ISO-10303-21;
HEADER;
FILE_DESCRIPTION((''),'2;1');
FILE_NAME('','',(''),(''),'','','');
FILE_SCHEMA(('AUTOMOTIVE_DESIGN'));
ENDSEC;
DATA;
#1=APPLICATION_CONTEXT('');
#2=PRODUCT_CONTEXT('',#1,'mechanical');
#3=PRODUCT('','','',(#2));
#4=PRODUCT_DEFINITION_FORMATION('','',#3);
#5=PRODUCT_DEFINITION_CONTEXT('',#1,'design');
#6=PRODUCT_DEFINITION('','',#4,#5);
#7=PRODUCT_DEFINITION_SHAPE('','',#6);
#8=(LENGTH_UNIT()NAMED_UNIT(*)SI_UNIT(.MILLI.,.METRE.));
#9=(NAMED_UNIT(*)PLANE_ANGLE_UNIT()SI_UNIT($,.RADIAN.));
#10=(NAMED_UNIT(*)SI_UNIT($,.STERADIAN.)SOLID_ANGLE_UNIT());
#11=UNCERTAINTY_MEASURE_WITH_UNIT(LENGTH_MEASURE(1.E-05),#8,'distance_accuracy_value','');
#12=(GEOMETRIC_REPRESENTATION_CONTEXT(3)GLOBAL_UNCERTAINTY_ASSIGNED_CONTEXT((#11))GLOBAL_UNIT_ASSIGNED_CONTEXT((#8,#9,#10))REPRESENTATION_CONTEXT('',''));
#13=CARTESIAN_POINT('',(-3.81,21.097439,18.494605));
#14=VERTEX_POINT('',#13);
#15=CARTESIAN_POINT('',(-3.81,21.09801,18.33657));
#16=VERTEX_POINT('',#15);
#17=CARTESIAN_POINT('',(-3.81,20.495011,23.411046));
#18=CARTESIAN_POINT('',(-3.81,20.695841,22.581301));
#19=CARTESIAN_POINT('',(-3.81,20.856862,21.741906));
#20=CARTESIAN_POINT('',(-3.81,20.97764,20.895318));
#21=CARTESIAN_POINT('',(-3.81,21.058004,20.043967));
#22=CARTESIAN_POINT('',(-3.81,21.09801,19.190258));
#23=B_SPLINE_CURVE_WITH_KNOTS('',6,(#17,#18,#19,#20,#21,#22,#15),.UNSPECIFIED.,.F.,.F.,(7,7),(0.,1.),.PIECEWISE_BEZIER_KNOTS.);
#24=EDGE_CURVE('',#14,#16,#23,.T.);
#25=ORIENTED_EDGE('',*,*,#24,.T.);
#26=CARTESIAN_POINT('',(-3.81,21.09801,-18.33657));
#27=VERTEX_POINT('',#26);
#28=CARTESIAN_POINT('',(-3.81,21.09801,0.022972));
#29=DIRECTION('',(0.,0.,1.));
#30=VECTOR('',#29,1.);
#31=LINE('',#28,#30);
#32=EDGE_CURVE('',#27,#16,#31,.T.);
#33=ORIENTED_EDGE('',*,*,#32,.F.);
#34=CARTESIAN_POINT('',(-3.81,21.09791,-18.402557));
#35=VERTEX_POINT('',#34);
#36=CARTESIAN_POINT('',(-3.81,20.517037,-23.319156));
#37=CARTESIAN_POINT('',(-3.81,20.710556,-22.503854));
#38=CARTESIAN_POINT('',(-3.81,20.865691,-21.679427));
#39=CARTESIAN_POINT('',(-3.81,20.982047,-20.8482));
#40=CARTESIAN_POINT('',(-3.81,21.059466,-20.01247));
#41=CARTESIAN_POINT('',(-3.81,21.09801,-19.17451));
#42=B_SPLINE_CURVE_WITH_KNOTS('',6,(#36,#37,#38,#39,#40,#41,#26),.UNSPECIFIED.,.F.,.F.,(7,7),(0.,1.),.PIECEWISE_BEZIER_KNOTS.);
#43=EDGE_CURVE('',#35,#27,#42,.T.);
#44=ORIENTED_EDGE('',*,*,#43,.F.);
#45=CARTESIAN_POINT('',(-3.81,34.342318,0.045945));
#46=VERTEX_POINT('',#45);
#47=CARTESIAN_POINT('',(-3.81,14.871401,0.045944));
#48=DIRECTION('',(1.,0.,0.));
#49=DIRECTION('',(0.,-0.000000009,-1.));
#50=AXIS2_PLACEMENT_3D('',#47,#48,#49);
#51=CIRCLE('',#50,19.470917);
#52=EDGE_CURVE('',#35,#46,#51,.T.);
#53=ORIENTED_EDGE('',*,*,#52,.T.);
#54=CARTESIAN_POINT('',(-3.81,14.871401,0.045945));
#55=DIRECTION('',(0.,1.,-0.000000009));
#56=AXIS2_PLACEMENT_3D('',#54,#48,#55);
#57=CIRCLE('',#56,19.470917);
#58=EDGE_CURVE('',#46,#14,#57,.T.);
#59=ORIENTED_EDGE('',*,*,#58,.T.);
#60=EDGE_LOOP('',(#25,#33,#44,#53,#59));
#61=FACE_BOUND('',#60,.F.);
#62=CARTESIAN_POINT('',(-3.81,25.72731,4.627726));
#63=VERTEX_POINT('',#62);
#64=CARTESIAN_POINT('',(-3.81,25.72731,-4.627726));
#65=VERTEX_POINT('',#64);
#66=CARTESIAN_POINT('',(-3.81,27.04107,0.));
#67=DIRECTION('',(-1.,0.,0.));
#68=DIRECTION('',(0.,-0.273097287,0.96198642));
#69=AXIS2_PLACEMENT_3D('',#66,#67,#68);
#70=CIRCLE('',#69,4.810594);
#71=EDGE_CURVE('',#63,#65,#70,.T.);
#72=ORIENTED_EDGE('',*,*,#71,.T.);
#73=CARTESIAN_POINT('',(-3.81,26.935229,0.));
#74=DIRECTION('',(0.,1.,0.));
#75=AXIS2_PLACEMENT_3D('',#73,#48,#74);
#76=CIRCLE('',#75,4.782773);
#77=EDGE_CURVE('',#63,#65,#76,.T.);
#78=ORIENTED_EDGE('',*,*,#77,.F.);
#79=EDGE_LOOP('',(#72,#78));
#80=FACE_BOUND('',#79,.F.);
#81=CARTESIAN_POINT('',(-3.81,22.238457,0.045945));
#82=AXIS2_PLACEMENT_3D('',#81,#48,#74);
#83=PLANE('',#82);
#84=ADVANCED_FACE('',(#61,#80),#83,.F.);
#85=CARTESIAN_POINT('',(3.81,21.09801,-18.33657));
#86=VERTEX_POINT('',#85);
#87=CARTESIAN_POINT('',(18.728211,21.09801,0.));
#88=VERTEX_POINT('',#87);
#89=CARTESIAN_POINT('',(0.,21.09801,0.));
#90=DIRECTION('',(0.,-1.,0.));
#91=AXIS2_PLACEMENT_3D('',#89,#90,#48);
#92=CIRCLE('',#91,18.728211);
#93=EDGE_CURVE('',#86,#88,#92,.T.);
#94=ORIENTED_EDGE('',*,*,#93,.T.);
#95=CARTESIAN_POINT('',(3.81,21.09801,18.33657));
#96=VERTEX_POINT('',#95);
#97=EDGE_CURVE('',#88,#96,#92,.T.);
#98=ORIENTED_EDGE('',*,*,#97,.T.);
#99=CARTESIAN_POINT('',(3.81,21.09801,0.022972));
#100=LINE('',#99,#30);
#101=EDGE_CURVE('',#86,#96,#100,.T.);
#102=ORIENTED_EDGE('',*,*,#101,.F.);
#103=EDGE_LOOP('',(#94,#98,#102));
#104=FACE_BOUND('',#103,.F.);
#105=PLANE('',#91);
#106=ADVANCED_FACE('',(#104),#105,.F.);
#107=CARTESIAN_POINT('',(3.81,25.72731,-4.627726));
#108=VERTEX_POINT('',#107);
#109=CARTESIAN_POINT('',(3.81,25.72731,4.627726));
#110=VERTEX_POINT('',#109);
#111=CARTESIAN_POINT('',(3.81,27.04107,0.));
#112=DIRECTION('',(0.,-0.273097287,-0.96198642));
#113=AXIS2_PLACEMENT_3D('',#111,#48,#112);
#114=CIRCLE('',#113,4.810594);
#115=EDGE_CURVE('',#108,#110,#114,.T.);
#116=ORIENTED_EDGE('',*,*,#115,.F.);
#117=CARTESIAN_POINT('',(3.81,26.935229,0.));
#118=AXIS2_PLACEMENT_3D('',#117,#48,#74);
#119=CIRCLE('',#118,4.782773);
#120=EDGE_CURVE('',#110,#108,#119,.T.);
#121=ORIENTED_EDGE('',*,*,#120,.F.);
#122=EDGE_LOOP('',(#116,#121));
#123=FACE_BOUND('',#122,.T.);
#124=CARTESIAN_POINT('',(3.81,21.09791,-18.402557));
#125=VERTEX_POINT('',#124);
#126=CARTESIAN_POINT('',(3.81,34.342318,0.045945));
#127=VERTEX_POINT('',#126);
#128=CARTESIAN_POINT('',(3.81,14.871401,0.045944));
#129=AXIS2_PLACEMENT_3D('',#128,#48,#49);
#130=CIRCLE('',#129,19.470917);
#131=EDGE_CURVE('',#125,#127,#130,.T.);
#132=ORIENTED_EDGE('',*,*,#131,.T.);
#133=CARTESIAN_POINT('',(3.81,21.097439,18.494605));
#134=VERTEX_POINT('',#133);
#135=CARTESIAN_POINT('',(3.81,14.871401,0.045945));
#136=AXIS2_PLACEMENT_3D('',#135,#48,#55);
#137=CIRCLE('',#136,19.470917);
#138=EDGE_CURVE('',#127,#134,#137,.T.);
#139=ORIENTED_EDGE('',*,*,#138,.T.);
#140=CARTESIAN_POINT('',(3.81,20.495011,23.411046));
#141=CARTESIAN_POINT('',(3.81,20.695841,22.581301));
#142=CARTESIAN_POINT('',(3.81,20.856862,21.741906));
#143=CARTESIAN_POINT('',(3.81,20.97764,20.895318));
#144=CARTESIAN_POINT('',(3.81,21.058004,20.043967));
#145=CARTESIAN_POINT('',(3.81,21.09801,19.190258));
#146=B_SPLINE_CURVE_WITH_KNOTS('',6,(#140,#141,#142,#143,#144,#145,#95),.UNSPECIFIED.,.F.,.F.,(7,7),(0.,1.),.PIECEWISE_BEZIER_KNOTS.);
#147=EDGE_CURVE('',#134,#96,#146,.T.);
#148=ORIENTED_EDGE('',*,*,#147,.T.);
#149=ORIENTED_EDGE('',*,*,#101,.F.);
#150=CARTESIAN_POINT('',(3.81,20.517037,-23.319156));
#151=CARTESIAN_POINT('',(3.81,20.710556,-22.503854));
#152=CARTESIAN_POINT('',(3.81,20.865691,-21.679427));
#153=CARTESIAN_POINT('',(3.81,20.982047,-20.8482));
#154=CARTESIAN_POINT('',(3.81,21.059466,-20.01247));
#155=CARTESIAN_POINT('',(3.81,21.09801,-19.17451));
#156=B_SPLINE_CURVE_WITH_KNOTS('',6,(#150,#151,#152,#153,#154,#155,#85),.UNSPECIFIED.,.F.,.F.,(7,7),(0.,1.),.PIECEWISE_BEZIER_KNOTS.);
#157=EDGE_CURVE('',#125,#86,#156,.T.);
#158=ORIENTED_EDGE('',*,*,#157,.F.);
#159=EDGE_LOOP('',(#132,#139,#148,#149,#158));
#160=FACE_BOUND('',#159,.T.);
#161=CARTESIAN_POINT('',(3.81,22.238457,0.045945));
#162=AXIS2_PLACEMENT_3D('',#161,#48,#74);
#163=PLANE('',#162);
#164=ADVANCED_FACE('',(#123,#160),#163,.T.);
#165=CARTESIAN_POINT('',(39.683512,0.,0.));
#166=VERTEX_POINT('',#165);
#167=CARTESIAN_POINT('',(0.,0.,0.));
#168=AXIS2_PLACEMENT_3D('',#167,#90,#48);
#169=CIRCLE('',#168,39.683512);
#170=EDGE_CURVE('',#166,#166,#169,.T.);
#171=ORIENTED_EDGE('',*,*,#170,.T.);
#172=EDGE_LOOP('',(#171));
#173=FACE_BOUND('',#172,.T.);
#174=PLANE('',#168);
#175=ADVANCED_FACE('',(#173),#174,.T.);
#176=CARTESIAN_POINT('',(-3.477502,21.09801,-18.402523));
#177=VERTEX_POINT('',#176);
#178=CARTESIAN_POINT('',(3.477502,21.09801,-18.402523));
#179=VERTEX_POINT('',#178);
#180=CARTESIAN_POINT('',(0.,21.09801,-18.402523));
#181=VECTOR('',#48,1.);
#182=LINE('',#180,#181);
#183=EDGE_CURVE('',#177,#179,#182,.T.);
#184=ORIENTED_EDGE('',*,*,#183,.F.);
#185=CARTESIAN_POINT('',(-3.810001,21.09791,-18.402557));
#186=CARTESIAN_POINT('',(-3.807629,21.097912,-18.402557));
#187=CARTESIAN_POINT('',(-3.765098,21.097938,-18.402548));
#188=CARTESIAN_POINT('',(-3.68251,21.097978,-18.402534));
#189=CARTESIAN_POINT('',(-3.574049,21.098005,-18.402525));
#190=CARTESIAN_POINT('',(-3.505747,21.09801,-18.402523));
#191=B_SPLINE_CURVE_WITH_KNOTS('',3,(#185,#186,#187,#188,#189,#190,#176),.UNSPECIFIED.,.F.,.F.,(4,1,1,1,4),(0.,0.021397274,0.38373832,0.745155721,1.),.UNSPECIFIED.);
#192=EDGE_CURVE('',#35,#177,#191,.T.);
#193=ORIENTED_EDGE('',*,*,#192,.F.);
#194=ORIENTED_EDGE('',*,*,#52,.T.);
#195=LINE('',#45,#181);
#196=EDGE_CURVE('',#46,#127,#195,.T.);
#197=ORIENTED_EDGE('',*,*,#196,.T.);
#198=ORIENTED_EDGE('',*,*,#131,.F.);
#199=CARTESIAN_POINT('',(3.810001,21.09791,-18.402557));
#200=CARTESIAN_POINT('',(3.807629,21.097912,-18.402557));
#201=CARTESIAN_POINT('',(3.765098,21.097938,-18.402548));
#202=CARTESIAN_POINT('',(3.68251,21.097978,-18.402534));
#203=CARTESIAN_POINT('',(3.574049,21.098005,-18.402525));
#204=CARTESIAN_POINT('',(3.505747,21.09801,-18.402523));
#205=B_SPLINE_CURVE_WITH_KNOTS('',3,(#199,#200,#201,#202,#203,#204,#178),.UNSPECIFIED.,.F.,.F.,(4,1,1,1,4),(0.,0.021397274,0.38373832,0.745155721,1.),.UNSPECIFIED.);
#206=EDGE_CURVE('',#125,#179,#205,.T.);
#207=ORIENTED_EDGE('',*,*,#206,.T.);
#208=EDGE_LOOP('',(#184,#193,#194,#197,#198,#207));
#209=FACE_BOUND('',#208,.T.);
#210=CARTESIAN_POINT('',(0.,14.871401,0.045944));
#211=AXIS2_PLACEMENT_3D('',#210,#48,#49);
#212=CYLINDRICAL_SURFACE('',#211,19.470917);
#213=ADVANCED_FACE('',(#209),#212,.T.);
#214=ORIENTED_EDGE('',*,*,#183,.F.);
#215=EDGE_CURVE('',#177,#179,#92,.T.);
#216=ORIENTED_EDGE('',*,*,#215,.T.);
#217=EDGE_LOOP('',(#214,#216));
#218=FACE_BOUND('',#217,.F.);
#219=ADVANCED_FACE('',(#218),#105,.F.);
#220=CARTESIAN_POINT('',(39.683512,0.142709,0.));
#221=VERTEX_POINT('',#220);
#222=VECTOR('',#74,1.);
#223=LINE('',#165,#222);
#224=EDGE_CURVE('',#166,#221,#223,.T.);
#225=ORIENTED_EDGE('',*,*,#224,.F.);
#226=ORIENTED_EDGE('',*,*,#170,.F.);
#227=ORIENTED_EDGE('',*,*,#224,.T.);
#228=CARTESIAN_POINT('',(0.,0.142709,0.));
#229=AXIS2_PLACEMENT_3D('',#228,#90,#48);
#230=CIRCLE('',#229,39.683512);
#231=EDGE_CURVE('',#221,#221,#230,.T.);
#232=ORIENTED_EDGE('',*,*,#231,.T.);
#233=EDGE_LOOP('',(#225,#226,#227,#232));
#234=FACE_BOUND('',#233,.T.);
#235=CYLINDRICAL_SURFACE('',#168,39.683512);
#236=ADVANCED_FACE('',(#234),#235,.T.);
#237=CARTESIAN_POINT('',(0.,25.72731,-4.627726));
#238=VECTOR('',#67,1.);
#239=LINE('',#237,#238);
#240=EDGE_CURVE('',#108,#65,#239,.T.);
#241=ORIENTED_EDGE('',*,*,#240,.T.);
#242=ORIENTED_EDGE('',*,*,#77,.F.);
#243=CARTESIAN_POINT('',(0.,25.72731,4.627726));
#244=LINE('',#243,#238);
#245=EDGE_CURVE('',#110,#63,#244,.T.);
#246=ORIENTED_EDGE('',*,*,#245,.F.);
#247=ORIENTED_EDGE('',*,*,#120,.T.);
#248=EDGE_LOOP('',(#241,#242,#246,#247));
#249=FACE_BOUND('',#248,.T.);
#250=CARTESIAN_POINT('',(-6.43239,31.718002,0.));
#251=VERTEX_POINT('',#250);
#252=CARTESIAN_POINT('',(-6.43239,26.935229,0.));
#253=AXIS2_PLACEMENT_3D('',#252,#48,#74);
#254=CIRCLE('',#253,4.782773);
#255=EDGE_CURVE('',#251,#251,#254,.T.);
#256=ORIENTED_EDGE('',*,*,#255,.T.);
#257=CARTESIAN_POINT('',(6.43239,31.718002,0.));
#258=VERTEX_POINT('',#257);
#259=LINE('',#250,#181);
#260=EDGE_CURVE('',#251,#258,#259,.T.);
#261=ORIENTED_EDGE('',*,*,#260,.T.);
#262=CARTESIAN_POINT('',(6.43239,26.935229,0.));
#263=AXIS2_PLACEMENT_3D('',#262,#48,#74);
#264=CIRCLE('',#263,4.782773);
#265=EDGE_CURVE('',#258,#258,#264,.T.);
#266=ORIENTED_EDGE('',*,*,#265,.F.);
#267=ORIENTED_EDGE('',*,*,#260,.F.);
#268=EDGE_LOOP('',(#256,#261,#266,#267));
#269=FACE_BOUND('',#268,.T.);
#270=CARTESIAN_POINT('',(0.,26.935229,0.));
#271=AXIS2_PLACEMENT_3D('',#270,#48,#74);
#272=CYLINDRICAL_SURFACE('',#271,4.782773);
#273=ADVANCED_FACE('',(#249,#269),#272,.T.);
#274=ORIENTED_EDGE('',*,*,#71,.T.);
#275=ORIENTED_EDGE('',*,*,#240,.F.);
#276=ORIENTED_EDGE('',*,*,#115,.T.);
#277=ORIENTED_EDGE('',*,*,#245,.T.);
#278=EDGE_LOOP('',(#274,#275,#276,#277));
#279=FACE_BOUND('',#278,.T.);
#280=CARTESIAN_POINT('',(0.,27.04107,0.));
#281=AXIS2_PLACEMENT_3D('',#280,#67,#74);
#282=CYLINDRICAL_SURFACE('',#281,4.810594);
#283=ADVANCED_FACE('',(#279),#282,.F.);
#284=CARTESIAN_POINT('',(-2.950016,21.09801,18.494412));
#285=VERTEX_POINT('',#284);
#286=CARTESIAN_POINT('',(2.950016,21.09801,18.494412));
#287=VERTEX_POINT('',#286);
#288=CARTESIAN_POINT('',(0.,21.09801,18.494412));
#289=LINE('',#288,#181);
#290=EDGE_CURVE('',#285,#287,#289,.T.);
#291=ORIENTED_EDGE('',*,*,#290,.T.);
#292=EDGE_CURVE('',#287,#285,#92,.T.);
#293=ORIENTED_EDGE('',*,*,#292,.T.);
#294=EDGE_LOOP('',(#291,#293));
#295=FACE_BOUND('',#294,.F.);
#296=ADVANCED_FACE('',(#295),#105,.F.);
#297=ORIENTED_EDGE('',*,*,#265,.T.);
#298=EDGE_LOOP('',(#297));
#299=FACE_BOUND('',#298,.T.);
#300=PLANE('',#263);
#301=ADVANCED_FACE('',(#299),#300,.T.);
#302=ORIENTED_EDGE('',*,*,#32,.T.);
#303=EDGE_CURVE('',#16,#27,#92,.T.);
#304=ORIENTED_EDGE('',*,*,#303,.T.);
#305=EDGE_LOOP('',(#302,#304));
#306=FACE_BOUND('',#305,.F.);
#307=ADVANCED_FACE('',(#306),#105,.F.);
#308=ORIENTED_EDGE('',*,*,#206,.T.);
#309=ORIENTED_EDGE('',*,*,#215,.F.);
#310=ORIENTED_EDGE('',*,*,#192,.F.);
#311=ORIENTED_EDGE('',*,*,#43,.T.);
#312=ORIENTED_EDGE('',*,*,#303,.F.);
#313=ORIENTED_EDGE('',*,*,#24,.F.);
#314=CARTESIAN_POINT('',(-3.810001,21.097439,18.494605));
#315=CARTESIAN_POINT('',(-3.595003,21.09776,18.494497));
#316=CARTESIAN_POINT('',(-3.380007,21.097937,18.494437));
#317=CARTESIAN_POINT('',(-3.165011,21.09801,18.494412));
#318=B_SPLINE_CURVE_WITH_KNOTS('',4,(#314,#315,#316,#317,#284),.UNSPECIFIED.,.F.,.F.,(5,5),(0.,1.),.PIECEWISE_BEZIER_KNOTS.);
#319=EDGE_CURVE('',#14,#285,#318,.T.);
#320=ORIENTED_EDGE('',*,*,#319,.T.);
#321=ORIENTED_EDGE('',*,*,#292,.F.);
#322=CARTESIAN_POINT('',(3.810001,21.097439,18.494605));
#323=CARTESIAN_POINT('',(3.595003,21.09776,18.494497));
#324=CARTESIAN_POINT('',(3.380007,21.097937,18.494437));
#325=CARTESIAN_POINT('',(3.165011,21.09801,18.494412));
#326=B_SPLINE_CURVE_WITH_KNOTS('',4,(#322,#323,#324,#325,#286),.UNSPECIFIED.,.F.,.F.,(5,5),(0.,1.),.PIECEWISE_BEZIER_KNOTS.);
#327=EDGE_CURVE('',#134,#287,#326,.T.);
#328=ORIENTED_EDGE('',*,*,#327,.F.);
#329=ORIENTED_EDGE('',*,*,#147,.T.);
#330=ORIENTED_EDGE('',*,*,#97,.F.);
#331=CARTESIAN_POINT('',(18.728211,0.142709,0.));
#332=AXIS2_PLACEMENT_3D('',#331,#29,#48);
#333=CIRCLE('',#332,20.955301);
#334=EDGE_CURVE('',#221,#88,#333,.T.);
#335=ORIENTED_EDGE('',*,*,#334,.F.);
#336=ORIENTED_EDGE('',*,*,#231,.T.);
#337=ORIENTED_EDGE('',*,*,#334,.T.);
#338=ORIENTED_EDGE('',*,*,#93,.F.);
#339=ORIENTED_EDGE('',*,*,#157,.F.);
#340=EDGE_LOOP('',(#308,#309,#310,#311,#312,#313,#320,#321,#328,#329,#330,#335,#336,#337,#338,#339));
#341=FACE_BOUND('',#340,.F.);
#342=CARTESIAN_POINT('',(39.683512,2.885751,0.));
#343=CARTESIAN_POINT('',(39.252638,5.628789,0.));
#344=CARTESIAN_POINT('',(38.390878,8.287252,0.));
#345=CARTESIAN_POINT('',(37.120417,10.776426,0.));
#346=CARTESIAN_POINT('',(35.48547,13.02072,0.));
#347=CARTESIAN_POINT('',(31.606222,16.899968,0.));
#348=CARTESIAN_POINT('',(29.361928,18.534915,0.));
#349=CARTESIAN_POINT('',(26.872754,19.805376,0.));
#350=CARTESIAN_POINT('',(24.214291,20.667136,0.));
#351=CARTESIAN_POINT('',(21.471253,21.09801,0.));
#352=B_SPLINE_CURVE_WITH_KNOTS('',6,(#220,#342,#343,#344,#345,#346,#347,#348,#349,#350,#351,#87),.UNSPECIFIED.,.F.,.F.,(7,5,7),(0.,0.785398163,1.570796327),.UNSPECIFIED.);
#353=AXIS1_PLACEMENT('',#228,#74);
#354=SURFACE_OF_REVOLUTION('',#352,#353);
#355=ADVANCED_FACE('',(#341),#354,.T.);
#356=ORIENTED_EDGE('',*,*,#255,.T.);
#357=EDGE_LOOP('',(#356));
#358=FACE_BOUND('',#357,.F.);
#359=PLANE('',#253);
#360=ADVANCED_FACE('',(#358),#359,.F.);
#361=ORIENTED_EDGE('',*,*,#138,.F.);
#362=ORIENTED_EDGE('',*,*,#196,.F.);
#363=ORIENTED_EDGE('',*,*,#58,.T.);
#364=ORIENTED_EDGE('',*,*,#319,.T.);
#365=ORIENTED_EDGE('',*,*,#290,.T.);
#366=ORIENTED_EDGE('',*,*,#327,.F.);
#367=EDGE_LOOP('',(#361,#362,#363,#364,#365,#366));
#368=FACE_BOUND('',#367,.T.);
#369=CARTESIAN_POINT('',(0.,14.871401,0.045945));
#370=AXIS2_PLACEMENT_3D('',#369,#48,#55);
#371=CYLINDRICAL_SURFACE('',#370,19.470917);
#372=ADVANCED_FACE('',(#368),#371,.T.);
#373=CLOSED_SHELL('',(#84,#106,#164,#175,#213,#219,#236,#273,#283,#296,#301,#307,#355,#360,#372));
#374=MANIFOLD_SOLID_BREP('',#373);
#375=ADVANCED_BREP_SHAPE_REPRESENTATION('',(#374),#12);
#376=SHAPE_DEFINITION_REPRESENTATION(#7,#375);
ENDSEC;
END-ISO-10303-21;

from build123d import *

# Parameters (mm, degrees)
F0_R     = 39.683512
F1_DEPTH = 21.09801
F2_R     = 20.955301
F3_R     = 4.810594
F4_DEPTH = 3.81
F5_R     = 4.782773
F6_DEPTH = 6.43239


with BuildPart() as f1:
    # F0 (on Front) → F1 (new body)
    with BuildSketch(Plane.XZ):
        Circle(F0_R)
    extrude(amount=-F1_DEPTH)

    # F2
    f2_edges = [f1.edges().sort_by_distance(p)[0] for p in [
        (-39.683512, 21.09801, 0),
    ]]
    fillet(f2_edges, radius=F2_R)

    # F3 (on Right) → F4 (join, symmetric)
    with BuildSketch(Plane.YZ):
        with BuildLine():
            ThreePointArc((14.871401, -19.424973), (28.639419, -13.722073), (34.342318, 0.045945))
            ThreePointArc((34.342318, 0.045945), (28.639419, 13.813962), (14.871401, 19.516862))
            Line((14.871401, 19.516862), (14.871401, 0.045945))
            Line((14.871401, 0.045945), (14.871401, -19.424973))
        make_face()
        with Locations((27.04107, 0)):
            Circle(F3_R, mode=Mode.SUBTRACT)
    extrude(amount=F4_DEPTH, both=True)

    # F5 (on Right) → F6 (join, symmetric)
    with BuildSketch(Plane.YZ):
        with Locations((26.935229, 0)):
            Circle(F5_R)
    extrude(amount=F6_DEPTH, both=True)


solid = f1.part
